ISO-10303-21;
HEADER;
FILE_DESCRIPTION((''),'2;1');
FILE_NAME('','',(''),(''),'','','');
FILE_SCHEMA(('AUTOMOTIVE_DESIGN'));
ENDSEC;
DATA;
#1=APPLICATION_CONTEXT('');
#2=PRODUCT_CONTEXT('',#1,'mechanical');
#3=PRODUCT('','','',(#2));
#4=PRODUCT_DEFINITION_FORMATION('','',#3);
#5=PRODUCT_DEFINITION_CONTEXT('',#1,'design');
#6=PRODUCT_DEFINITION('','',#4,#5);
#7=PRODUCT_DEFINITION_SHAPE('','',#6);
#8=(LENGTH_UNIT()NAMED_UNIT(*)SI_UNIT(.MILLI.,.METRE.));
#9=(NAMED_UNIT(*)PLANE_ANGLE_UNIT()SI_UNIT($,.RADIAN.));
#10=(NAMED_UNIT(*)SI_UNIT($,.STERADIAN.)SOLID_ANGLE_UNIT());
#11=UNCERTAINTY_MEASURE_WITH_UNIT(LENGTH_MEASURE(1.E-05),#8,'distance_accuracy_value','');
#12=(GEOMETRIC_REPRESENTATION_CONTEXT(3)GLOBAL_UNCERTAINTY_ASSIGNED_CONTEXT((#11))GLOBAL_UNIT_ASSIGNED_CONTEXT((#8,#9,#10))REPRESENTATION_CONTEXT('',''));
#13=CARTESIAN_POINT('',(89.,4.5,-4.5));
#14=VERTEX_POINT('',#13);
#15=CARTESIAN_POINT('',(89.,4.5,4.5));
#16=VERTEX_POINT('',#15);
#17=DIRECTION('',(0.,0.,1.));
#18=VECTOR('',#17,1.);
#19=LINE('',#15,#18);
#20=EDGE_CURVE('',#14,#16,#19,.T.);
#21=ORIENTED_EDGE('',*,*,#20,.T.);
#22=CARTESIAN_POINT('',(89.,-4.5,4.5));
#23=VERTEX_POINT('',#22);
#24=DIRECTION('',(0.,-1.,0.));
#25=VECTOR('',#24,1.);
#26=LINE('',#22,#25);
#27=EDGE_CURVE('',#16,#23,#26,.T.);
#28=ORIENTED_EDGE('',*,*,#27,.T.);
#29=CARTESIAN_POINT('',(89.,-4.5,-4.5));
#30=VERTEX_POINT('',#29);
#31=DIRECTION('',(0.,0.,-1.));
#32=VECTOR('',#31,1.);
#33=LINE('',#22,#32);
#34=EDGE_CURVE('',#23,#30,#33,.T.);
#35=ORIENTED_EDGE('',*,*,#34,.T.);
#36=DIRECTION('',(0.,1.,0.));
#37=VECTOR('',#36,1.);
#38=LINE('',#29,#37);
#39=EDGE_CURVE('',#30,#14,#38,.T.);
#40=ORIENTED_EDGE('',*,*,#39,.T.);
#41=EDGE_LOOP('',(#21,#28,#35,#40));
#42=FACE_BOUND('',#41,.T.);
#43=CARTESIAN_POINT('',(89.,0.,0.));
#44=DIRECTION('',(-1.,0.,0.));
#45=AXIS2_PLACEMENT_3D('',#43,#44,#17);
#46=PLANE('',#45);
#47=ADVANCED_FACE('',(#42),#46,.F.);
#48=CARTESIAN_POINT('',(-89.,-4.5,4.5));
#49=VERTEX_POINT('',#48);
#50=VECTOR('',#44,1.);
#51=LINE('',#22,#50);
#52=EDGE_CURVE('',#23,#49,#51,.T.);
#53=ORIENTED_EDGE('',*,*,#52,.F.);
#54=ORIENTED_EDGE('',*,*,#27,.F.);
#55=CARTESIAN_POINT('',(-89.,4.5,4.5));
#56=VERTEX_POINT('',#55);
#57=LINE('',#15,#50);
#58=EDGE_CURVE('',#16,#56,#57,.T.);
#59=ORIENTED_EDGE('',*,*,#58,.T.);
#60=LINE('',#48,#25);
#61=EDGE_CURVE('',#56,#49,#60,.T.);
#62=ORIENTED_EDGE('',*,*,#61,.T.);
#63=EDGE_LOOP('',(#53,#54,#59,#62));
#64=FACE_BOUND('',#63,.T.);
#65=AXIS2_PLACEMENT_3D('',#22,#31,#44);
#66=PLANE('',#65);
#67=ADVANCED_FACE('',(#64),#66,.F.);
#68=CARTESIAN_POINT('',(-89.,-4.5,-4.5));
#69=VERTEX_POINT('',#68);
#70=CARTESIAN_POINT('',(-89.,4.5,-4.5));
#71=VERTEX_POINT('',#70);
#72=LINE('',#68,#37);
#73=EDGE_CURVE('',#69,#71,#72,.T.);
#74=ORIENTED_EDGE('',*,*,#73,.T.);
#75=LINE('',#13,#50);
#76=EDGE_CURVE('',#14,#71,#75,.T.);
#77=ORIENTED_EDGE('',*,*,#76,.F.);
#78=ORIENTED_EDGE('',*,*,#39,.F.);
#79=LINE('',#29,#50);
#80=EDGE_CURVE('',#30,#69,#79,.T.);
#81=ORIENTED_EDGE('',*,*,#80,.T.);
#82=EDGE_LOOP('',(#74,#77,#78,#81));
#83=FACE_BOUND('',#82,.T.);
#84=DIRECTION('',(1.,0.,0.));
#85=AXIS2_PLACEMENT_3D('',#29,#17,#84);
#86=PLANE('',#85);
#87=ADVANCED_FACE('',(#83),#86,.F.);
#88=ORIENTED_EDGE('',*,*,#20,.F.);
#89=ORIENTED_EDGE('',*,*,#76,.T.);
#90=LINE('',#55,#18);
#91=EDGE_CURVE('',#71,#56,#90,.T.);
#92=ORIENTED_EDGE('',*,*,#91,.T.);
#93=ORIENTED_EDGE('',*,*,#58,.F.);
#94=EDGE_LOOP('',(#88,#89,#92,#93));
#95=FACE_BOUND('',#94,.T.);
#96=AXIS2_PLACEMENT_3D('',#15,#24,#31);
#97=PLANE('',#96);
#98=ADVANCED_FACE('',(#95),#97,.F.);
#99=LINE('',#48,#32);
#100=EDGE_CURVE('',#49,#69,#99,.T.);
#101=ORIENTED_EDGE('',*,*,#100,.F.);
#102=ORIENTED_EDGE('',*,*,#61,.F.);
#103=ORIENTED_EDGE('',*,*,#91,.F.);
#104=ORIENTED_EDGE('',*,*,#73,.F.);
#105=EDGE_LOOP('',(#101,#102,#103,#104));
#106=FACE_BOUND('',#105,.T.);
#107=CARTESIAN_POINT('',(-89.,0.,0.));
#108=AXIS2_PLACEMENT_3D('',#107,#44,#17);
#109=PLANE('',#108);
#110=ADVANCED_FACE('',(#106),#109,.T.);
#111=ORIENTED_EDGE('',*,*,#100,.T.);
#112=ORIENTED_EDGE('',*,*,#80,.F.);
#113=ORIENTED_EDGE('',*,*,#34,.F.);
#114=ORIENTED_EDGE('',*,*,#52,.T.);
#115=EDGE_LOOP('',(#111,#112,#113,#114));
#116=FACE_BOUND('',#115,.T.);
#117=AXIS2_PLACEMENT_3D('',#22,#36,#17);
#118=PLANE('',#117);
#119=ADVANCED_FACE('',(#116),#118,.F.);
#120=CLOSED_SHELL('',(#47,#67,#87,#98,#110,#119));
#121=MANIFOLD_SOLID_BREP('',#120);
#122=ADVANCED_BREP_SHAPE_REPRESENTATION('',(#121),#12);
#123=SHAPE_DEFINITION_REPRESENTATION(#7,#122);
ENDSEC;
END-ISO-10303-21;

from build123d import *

# Parameters (mm, degrees)
BOSS_EXTRUDE1_DEPTH      = 89
BOSS_EXTRUDE1_DEPTH_BACK = 89
SKETCH2_W                = 9
SKETCH2_H                = 9


with BuildPart() as part:
    # Sketch2 → Boss-Extrude1 (new, two sides: drawn at the far end of the back side and taken through both)
    with BuildSketch(Plane(origin=(0, 0, 0), x_dir=(0, 0, -1), z_dir=(1, 0, 0)).offset(-BOSS_EXTRUDE1_DEPTH_BACK)):
        Rectangle(SKETCH2_W, SKETCH2_H)
    extrude(amount=BOSS_EXTRUDE1_DEPTH + BOSS_EXTRUDE1_DEPTH_BACK)


solid = part.part
